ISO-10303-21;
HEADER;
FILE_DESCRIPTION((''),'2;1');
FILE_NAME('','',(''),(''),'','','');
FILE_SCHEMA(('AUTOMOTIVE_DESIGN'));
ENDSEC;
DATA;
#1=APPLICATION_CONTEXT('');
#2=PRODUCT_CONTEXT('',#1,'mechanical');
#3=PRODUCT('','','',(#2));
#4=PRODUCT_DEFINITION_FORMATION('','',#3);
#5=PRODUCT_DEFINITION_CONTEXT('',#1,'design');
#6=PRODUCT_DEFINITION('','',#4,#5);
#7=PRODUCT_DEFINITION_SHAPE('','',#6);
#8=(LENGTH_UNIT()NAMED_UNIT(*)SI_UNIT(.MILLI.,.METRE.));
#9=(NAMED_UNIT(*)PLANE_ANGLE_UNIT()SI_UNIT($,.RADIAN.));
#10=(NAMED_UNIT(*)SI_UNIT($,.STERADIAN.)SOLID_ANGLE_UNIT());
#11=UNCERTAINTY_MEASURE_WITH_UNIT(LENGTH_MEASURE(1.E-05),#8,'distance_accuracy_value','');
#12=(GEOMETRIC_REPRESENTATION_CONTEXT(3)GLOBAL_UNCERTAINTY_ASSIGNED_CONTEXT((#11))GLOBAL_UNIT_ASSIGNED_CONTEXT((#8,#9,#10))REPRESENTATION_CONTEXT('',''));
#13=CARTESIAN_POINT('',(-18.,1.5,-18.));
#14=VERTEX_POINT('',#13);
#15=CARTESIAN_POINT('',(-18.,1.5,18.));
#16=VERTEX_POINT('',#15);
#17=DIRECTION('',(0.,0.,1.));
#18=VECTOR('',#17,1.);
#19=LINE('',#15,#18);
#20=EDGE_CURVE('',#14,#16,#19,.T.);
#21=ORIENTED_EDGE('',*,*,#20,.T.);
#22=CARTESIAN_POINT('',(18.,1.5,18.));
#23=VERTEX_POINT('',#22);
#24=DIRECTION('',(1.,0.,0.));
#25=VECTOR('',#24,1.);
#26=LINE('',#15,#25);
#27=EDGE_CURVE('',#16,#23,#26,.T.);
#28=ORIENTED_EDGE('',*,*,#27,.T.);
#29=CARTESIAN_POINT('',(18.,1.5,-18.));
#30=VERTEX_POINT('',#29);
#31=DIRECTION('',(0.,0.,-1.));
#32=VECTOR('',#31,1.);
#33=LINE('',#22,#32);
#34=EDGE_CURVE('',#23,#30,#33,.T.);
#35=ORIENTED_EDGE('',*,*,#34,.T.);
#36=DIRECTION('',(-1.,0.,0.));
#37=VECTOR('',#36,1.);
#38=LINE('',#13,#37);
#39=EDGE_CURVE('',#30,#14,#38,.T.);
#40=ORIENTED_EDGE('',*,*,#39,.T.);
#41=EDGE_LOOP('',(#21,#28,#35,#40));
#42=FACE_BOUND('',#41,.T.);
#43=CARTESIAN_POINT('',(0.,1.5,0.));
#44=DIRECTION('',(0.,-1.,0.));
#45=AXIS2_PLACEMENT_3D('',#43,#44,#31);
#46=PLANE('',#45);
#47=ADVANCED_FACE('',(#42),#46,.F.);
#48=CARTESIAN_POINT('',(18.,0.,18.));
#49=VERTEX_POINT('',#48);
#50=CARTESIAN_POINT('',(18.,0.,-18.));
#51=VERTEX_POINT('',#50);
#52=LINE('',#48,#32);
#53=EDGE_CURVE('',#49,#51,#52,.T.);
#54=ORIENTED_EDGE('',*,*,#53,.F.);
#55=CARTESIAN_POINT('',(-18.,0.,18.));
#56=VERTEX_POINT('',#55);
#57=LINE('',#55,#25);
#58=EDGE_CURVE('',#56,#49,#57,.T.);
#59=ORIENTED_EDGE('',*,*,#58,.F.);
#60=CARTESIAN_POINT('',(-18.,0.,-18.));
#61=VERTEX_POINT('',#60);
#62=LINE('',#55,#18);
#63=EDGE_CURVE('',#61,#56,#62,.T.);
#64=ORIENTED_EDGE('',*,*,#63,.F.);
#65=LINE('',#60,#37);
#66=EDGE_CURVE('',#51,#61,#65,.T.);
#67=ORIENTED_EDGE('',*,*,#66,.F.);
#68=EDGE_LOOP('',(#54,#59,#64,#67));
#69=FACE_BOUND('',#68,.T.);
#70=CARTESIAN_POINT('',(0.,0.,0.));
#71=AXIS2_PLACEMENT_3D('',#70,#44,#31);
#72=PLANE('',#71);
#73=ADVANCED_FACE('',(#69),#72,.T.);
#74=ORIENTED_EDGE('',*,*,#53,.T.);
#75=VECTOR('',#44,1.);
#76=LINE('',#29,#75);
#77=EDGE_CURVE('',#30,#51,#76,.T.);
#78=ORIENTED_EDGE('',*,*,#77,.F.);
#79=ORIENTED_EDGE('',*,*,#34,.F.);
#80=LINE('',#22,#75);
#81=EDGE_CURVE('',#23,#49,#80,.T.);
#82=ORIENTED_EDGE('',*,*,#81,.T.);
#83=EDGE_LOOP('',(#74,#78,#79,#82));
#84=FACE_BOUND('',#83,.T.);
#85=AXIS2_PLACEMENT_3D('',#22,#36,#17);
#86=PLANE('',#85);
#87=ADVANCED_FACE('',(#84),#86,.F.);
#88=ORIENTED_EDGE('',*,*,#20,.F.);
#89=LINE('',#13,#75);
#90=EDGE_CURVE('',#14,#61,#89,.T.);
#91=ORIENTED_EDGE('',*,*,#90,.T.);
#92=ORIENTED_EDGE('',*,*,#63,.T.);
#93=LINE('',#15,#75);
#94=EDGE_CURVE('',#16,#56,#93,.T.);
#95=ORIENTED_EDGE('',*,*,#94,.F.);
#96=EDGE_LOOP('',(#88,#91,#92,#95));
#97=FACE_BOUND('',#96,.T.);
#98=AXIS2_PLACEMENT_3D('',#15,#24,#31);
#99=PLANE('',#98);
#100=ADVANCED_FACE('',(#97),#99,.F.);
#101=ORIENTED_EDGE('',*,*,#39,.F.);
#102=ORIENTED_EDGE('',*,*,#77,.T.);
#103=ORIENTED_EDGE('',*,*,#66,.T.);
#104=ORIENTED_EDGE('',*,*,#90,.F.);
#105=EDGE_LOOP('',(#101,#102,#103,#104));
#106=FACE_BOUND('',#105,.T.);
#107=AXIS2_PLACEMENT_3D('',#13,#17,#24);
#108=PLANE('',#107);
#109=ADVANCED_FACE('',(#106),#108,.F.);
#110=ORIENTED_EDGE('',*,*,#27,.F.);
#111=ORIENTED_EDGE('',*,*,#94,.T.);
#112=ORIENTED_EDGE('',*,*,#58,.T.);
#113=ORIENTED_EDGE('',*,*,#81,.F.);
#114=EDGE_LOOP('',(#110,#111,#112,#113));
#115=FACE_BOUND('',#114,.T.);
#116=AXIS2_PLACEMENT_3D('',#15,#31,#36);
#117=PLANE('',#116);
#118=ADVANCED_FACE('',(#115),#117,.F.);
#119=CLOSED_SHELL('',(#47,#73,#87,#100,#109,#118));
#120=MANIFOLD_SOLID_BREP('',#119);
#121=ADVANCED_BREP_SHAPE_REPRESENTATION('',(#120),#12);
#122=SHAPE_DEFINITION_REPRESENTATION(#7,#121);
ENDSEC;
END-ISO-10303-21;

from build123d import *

# Parameters (mm, degrees)
SKETCH1_W           = 36
SKETCH1_H           = 36
BOSS_EXTRUDE1_DEPTH = 1.5


with BuildPart() as part:
    # Sketch1 → Boss-Extrude1 (new body)
    with BuildSketch(Plane(origin=(0, 0, 0), x_dir=(1, 0, 0), z_dir=(0, 1, 0))):
        Rectangle(SKETCH1_W, SKETCH1_H)
    extrude(amount=BOSS_EXTRUDE1_DEPTH)


solid = part.part
